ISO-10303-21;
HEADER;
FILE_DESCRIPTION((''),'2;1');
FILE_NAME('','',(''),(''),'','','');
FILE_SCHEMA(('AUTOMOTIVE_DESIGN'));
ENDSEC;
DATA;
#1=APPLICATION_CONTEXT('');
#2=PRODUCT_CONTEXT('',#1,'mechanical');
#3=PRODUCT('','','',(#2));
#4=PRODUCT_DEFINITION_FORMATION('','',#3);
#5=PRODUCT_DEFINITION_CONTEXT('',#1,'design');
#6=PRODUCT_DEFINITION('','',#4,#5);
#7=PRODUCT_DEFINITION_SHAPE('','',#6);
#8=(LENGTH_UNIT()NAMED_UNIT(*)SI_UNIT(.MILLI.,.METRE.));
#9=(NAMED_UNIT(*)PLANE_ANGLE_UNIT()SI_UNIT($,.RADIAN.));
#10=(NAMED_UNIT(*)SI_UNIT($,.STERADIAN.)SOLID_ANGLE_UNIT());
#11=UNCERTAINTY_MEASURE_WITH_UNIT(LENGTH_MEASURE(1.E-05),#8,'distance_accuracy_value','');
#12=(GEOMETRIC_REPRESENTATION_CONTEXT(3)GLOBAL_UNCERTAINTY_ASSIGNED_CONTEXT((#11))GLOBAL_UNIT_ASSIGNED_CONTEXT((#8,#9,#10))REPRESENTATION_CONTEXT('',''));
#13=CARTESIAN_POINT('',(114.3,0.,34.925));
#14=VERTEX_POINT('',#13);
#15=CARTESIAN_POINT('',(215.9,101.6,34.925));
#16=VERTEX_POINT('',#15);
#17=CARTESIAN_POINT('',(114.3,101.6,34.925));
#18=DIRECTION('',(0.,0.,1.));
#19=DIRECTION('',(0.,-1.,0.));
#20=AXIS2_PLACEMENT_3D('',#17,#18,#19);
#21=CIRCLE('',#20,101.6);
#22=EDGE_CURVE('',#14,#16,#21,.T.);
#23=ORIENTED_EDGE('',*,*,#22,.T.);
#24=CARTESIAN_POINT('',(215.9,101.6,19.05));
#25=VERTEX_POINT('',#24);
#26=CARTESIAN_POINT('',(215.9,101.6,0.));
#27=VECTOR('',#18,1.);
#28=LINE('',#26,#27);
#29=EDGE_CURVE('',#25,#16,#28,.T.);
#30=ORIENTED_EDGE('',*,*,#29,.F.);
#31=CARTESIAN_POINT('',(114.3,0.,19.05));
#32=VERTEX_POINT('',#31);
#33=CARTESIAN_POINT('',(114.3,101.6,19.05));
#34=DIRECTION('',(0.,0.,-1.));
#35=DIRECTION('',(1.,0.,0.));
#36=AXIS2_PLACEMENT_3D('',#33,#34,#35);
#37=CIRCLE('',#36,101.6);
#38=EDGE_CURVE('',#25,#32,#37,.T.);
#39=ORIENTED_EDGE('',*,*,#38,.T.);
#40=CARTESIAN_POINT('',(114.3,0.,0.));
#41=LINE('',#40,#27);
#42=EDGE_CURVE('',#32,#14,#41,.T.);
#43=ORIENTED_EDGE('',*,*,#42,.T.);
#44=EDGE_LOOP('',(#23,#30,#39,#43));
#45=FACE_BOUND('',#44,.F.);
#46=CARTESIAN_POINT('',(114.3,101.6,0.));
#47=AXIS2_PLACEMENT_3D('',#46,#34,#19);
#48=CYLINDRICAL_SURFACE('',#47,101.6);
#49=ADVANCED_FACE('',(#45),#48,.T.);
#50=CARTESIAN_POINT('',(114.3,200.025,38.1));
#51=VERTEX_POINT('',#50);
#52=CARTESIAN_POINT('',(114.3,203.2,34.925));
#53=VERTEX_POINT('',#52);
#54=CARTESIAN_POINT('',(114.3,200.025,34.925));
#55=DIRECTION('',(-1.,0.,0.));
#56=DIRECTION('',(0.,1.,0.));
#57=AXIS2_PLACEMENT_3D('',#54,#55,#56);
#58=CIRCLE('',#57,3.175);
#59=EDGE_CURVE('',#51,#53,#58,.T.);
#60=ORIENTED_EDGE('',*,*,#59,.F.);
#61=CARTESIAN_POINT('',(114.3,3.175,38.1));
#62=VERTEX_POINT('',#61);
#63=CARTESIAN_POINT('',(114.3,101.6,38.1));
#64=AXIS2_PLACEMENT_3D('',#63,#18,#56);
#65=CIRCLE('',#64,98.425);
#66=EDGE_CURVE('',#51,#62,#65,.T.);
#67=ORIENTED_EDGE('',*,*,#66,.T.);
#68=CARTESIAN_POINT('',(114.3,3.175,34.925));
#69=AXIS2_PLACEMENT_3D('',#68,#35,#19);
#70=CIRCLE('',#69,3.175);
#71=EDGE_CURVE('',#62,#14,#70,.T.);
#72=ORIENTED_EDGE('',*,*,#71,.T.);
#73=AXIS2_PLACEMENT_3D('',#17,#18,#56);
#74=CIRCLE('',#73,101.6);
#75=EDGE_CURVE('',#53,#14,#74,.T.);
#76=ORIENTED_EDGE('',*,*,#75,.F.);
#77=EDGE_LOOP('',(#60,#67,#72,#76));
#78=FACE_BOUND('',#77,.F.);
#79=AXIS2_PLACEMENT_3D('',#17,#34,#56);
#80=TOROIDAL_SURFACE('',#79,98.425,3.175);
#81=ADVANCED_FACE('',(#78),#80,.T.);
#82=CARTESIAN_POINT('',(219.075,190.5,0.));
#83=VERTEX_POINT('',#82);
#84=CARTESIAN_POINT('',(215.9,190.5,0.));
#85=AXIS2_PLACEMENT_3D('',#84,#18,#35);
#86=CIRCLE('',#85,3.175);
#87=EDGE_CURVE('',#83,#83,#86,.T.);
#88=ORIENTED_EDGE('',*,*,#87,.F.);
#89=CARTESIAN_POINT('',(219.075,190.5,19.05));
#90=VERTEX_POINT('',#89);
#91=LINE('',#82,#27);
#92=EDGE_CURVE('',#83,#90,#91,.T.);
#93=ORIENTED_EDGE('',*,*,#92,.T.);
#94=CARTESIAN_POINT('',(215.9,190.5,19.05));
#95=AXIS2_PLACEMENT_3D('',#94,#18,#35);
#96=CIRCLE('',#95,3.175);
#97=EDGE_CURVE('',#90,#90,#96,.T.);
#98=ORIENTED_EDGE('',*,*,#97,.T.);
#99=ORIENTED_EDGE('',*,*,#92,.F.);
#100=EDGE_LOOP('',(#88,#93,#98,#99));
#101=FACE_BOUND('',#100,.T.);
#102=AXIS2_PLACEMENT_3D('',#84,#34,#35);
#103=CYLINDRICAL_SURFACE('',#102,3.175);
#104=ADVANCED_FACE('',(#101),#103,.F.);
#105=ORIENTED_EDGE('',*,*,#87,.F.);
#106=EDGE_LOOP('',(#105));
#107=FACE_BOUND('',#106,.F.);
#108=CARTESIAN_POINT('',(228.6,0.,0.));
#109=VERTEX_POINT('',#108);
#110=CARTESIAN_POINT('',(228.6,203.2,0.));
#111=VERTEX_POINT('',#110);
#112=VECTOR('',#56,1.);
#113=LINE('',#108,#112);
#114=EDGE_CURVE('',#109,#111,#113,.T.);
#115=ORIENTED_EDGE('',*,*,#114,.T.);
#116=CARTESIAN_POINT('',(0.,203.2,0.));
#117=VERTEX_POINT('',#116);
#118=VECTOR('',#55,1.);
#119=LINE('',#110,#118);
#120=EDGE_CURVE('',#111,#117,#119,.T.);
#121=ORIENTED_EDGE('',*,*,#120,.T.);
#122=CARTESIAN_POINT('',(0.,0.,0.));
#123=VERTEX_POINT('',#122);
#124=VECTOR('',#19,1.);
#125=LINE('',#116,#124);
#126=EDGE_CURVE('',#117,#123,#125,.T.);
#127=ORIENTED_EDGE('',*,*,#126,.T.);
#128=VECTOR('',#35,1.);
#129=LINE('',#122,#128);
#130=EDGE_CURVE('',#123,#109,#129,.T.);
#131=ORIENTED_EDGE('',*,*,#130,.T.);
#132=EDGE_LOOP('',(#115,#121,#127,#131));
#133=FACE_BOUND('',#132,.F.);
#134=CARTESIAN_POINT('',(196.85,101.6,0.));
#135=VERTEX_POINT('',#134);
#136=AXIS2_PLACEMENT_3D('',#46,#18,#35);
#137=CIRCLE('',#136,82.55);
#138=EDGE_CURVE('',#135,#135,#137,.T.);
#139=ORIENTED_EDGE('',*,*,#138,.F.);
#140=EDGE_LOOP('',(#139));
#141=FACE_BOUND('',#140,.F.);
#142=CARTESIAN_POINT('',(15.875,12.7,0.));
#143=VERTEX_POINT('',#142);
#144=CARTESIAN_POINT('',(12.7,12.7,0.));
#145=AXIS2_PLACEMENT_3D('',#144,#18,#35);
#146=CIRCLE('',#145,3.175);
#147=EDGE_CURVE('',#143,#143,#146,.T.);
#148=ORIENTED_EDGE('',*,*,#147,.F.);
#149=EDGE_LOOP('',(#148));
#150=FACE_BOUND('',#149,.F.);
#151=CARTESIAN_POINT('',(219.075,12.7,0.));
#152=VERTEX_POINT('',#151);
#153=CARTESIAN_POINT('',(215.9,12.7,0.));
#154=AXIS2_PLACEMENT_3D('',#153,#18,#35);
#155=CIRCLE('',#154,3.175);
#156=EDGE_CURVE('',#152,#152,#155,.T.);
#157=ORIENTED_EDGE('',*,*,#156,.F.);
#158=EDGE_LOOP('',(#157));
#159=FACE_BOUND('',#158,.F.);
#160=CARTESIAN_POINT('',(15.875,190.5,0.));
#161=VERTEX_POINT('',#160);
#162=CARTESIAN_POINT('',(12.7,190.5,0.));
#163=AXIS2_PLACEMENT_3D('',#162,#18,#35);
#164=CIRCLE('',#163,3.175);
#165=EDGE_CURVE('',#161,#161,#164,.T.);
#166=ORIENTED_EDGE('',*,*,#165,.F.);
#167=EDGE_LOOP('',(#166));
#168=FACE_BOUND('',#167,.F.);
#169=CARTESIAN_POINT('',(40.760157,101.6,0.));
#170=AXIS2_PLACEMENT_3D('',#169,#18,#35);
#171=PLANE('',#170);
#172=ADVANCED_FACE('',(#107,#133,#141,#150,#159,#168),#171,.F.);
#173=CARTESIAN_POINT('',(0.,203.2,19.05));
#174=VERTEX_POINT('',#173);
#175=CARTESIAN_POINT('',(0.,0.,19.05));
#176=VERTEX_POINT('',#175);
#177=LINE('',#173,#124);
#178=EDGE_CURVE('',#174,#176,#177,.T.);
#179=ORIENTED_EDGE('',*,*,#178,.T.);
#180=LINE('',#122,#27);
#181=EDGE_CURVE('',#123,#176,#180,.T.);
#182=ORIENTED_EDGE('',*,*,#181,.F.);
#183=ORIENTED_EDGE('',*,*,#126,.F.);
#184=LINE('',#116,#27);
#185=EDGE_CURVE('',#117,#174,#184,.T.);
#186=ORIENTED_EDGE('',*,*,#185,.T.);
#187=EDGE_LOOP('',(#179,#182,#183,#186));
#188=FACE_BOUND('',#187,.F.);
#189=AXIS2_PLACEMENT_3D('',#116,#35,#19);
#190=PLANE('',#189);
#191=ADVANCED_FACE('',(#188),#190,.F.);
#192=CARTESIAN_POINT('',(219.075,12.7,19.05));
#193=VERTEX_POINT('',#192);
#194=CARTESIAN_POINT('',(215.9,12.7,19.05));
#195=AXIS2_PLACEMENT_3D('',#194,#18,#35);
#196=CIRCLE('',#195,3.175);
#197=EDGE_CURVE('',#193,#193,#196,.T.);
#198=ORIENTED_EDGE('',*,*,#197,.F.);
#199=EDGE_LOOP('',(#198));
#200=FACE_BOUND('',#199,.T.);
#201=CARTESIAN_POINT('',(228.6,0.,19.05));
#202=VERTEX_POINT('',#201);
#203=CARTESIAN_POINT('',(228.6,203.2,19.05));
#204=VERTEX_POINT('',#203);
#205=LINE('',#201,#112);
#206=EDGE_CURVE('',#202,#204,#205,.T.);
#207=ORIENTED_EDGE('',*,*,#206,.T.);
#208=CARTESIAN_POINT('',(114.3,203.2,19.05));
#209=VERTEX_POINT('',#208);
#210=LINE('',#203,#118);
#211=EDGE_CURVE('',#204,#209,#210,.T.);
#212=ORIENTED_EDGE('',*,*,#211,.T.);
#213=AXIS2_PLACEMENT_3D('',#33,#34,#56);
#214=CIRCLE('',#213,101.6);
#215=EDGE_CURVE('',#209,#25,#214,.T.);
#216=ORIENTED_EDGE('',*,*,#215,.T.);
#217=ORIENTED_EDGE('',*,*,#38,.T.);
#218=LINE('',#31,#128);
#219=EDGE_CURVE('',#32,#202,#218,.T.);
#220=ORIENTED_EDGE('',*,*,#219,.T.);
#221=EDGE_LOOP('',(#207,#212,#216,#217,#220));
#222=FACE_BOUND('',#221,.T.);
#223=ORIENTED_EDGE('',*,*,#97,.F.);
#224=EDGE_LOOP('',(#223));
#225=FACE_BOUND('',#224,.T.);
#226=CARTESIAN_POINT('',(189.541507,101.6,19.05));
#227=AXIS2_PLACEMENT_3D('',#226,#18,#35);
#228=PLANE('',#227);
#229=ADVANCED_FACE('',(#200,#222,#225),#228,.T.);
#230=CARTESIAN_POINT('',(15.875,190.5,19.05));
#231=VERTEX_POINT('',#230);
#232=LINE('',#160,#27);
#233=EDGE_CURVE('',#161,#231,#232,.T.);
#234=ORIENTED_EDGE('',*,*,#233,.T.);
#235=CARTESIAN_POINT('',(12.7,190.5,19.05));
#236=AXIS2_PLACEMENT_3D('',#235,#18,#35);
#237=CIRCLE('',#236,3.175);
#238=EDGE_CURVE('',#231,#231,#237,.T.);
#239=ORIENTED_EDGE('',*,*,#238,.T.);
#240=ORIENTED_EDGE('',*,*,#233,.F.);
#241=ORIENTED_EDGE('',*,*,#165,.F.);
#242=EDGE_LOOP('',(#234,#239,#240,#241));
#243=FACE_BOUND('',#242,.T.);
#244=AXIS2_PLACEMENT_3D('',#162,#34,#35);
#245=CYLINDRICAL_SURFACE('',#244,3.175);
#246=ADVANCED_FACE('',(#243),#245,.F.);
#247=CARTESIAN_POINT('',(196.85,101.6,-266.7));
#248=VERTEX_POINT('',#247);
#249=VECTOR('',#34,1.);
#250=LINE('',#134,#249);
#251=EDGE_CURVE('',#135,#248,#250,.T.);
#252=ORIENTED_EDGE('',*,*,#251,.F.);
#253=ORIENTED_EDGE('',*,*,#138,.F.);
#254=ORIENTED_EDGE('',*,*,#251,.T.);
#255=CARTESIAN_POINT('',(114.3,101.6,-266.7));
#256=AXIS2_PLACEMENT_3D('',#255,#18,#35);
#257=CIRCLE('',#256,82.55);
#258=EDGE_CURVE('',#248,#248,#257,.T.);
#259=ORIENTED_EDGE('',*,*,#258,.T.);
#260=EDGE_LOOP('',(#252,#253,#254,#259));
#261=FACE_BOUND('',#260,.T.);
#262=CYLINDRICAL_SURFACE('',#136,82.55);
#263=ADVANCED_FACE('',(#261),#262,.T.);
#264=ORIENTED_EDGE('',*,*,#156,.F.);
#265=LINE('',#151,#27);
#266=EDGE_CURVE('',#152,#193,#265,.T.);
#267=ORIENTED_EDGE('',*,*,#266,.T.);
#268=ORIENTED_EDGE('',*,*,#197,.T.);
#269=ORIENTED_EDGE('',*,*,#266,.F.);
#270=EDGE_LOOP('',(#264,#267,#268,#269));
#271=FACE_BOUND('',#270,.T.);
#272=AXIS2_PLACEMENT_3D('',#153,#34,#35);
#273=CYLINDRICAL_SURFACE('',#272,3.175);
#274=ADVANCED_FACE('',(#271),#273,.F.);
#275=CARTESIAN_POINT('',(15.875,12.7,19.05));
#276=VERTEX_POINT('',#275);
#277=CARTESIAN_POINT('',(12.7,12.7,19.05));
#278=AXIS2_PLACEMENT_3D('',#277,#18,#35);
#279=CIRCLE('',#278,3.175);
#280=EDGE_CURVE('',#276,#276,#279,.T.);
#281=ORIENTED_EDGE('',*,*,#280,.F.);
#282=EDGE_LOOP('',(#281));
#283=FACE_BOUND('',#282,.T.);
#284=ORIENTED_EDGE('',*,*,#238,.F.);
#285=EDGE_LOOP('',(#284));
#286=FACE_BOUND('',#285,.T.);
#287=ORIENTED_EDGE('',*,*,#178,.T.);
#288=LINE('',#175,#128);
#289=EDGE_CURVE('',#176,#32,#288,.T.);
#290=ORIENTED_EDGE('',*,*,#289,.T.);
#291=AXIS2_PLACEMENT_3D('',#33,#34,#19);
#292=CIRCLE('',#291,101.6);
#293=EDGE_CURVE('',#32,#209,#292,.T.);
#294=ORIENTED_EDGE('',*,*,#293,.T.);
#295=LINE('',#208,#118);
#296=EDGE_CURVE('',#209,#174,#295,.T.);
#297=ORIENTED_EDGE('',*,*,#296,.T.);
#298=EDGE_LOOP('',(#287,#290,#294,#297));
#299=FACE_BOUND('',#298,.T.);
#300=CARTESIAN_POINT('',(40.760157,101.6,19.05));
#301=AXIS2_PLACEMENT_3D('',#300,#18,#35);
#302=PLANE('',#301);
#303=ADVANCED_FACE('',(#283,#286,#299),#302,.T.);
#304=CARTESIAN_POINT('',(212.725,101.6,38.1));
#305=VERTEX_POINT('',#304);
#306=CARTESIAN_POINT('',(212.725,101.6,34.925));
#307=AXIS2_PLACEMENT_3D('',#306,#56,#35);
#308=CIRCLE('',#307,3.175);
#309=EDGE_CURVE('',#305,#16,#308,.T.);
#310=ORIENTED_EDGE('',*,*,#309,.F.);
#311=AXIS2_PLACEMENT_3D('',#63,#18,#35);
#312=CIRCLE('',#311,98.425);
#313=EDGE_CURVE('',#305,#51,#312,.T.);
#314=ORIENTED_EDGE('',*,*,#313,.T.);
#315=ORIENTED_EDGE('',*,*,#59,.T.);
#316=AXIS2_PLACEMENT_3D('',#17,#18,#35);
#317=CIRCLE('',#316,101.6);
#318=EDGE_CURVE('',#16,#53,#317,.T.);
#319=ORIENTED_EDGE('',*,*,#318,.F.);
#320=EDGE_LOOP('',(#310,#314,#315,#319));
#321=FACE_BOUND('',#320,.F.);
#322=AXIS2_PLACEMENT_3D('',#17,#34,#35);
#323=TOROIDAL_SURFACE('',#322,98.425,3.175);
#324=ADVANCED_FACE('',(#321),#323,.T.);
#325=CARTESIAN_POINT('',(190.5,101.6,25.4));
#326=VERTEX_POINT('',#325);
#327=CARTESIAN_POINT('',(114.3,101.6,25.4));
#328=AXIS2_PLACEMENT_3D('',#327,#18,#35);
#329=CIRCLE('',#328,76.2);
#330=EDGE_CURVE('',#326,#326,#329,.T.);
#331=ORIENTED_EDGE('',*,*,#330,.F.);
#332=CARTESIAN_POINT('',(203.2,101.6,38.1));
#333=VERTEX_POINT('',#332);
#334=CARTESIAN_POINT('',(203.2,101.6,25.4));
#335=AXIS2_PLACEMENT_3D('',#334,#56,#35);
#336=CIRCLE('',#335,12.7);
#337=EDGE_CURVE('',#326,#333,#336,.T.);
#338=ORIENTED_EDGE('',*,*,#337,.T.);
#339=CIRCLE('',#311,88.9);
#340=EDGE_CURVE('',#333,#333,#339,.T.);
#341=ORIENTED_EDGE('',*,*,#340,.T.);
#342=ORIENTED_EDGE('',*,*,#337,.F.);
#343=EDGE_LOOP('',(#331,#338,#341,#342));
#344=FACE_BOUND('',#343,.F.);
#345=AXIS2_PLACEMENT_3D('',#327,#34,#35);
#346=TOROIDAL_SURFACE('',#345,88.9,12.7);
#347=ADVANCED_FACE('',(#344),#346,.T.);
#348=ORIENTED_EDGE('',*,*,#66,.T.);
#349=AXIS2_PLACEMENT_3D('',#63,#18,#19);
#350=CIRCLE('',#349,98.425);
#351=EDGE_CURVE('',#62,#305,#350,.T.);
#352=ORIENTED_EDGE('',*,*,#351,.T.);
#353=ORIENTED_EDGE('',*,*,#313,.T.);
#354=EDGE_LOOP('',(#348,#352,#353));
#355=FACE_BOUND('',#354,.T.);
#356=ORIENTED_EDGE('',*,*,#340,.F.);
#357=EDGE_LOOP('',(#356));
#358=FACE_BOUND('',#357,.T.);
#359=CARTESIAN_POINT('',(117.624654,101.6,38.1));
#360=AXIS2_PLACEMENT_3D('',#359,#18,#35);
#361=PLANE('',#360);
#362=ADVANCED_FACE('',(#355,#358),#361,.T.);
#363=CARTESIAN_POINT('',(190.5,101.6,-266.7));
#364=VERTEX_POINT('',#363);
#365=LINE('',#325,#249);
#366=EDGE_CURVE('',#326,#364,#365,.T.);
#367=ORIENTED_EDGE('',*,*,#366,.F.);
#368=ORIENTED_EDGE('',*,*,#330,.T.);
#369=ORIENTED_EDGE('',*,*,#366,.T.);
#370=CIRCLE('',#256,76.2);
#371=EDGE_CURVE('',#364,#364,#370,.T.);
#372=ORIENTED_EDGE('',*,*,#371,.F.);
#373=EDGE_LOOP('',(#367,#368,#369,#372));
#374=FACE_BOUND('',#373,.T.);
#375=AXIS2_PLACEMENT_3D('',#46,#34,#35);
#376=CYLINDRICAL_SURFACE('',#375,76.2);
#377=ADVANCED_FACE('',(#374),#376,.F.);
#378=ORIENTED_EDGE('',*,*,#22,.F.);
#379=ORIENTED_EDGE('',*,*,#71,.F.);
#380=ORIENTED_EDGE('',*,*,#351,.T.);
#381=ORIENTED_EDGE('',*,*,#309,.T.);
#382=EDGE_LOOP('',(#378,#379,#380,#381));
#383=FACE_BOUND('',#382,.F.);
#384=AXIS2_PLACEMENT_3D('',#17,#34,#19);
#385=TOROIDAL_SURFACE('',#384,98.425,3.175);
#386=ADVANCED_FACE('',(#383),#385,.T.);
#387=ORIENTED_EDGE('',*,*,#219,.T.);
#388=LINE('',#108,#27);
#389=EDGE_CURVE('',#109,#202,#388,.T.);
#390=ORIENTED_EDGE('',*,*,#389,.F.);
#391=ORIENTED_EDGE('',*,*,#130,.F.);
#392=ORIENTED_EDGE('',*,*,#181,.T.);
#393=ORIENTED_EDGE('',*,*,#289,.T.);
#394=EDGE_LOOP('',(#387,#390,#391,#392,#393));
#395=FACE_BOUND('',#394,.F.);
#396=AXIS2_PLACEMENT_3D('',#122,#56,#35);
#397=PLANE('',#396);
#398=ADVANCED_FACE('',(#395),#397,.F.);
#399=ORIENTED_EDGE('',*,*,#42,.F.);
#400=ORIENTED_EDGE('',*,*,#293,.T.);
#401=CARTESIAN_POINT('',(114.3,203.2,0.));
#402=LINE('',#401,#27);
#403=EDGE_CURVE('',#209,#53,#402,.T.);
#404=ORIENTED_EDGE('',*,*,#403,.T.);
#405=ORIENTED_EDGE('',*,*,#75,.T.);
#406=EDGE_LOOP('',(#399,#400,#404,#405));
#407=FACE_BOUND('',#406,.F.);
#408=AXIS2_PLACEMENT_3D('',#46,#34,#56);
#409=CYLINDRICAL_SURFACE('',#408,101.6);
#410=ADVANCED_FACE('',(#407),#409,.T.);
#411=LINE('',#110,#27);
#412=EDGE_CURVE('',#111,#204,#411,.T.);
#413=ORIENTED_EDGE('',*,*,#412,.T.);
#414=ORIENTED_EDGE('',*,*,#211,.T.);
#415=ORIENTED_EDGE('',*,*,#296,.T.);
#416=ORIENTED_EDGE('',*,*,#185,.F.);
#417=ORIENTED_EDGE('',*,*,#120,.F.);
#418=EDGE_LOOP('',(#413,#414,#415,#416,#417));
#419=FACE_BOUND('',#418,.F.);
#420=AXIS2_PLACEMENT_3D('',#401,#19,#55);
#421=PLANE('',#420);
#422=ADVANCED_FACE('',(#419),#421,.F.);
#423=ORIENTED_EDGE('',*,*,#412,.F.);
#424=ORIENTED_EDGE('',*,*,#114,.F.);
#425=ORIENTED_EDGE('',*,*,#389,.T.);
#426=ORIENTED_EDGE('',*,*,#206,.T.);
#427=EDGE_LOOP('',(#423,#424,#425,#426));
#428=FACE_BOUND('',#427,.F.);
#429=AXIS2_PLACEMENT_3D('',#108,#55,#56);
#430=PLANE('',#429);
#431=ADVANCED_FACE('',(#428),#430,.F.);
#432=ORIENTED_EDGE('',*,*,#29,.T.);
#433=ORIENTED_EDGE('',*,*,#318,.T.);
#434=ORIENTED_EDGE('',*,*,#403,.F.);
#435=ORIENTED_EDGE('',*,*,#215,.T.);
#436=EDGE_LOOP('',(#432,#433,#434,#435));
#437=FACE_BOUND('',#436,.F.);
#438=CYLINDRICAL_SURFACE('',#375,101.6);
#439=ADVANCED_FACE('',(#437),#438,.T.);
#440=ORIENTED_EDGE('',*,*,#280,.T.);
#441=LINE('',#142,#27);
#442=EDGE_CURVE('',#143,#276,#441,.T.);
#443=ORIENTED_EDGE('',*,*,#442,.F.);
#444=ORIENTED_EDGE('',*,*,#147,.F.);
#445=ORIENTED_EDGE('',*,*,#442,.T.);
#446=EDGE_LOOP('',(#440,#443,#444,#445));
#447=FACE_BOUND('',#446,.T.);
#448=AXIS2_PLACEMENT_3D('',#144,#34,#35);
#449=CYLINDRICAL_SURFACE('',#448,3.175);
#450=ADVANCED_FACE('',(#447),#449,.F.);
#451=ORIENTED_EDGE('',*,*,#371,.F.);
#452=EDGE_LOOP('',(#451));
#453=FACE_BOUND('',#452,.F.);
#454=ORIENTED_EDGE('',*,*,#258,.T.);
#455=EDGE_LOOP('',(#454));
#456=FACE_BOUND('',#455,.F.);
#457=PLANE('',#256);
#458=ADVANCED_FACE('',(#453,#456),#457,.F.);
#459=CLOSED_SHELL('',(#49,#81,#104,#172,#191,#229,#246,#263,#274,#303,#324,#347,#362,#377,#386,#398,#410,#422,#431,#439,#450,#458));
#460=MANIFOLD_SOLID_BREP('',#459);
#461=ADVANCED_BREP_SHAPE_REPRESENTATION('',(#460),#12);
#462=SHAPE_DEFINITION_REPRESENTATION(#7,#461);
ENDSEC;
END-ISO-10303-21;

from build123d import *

# Parameters (mm, degrees)
F0_R     = 3.175
F1_DEPTH = 19.05
F0_R_2   = 82.55
F0_R_3   = 76.2
F2_DEPTH = 38.1
F3_DEPTH = 266.7
F4_R     = 12.7
F5_R     = 3.175


with BuildPart() as f1:
    # F0 (on Top) → F1 (new body)
    with BuildSketch(Plane.XY):
        with BuildLine():
            Line((0, 203.2), (0, 0))
            Line((0, 0), (114.3, 0))
            ThreePointArc((114.3, 0), (12.7, 101.6), (114.3, 203.2))
            Line((114.3, 203.2), (0, 203.2))
        make_face()
        with Locations((12.7, 12.7)):
            Circle(F0_R, mode=Mode.SUBTRACT)
        with Locations((12.7, 190.5)):
            Circle(F0_R, mode=Mode.SUBTRACT)
    extrude(amount=F1_DEPTH)



with BuildPart() as f1b:
    # F0 (on Top) → F1, piece 2 (new body)
    with BuildSketch(Plane.XY):
        with BuildLine():
            ThreePointArc((215.9, 101.6), (186.1420489686, 29.7579510314), (114.3, 0))
            Line((114.3, 0), (228.6, 0))
            Line((228.6, 0), (228.6, 203.2))
            Line((228.6, 203.2), (114.3, 203.2))
            ThreePointArc((114.3, 203.2), (186.1420489686, 173.4420489686), (215.9, 101.6))
        make_face()
        with Locations((215.9, 12.7)):
            Circle(F0_R, mode=Mode.SUBTRACT)
        with Locations((215.9, 190.5)):
            Circle(F0_R, mode=Mode.SUBTRACT)
    extrude(amount=F1_DEPTH)


with BuildPart() as f1_1:
    add(f1.part)

    add(f1b.part)  # F2 merges F1b
    # F0 (on Top) → F2 (join)
    with BuildSketch(Plane.XY):
        with BuildLine():
            ThreePointArc((114.3, 203.2), (12.7, 101.6), (114.3, 0))
            ThreePointArc((114.3, 0), (186.1420489686, 29.7579510314), (215.9, 101.6))
            ThreePointArc((215.9, 101.6), (186.1420489686, 173.4420489686), (114.3, 203.2))
        make_face()
        with Locations((114.3, 101.6)):
            Circle(F0_R_2, mode=Mode.SUBTRACT)
        with Locations((114.3, 101.6)):
            Circle(F0_R_2)
        with Locations((114.3, 101.6)):
            Circle(F0_R_3, mode=Mode.SUBTRACT)
    extrude(amount=F2_DEPTH)

    # F0 (on Top) → F3 (join)
    with BuildSketch(Plane.XY):
        with Locations((114.3, 101.6)):
            Circle(F0_R_2)
        with Locations((114.3, 101.6)):
            Circle(F0_R_3, mode=Mode.SUBTRACT)
    extrude(amount=-F3_DEPTH)

    # F4
    f4_edges = [f1_1.edges().sort_by_distance(p)[0] for p in [
        (38.1, 101.6, 38.1),
    ]]
    fillet(f4_edges, radius=F4_R)

    # F5
    f5_edges = [f1_1.edges().sort_by_distance(p)[0] for p in [
        (114.3, 0, 38.1),
    ]]
    fillet(f5_edges, radius=F5_R)


solid = f1_1.part
